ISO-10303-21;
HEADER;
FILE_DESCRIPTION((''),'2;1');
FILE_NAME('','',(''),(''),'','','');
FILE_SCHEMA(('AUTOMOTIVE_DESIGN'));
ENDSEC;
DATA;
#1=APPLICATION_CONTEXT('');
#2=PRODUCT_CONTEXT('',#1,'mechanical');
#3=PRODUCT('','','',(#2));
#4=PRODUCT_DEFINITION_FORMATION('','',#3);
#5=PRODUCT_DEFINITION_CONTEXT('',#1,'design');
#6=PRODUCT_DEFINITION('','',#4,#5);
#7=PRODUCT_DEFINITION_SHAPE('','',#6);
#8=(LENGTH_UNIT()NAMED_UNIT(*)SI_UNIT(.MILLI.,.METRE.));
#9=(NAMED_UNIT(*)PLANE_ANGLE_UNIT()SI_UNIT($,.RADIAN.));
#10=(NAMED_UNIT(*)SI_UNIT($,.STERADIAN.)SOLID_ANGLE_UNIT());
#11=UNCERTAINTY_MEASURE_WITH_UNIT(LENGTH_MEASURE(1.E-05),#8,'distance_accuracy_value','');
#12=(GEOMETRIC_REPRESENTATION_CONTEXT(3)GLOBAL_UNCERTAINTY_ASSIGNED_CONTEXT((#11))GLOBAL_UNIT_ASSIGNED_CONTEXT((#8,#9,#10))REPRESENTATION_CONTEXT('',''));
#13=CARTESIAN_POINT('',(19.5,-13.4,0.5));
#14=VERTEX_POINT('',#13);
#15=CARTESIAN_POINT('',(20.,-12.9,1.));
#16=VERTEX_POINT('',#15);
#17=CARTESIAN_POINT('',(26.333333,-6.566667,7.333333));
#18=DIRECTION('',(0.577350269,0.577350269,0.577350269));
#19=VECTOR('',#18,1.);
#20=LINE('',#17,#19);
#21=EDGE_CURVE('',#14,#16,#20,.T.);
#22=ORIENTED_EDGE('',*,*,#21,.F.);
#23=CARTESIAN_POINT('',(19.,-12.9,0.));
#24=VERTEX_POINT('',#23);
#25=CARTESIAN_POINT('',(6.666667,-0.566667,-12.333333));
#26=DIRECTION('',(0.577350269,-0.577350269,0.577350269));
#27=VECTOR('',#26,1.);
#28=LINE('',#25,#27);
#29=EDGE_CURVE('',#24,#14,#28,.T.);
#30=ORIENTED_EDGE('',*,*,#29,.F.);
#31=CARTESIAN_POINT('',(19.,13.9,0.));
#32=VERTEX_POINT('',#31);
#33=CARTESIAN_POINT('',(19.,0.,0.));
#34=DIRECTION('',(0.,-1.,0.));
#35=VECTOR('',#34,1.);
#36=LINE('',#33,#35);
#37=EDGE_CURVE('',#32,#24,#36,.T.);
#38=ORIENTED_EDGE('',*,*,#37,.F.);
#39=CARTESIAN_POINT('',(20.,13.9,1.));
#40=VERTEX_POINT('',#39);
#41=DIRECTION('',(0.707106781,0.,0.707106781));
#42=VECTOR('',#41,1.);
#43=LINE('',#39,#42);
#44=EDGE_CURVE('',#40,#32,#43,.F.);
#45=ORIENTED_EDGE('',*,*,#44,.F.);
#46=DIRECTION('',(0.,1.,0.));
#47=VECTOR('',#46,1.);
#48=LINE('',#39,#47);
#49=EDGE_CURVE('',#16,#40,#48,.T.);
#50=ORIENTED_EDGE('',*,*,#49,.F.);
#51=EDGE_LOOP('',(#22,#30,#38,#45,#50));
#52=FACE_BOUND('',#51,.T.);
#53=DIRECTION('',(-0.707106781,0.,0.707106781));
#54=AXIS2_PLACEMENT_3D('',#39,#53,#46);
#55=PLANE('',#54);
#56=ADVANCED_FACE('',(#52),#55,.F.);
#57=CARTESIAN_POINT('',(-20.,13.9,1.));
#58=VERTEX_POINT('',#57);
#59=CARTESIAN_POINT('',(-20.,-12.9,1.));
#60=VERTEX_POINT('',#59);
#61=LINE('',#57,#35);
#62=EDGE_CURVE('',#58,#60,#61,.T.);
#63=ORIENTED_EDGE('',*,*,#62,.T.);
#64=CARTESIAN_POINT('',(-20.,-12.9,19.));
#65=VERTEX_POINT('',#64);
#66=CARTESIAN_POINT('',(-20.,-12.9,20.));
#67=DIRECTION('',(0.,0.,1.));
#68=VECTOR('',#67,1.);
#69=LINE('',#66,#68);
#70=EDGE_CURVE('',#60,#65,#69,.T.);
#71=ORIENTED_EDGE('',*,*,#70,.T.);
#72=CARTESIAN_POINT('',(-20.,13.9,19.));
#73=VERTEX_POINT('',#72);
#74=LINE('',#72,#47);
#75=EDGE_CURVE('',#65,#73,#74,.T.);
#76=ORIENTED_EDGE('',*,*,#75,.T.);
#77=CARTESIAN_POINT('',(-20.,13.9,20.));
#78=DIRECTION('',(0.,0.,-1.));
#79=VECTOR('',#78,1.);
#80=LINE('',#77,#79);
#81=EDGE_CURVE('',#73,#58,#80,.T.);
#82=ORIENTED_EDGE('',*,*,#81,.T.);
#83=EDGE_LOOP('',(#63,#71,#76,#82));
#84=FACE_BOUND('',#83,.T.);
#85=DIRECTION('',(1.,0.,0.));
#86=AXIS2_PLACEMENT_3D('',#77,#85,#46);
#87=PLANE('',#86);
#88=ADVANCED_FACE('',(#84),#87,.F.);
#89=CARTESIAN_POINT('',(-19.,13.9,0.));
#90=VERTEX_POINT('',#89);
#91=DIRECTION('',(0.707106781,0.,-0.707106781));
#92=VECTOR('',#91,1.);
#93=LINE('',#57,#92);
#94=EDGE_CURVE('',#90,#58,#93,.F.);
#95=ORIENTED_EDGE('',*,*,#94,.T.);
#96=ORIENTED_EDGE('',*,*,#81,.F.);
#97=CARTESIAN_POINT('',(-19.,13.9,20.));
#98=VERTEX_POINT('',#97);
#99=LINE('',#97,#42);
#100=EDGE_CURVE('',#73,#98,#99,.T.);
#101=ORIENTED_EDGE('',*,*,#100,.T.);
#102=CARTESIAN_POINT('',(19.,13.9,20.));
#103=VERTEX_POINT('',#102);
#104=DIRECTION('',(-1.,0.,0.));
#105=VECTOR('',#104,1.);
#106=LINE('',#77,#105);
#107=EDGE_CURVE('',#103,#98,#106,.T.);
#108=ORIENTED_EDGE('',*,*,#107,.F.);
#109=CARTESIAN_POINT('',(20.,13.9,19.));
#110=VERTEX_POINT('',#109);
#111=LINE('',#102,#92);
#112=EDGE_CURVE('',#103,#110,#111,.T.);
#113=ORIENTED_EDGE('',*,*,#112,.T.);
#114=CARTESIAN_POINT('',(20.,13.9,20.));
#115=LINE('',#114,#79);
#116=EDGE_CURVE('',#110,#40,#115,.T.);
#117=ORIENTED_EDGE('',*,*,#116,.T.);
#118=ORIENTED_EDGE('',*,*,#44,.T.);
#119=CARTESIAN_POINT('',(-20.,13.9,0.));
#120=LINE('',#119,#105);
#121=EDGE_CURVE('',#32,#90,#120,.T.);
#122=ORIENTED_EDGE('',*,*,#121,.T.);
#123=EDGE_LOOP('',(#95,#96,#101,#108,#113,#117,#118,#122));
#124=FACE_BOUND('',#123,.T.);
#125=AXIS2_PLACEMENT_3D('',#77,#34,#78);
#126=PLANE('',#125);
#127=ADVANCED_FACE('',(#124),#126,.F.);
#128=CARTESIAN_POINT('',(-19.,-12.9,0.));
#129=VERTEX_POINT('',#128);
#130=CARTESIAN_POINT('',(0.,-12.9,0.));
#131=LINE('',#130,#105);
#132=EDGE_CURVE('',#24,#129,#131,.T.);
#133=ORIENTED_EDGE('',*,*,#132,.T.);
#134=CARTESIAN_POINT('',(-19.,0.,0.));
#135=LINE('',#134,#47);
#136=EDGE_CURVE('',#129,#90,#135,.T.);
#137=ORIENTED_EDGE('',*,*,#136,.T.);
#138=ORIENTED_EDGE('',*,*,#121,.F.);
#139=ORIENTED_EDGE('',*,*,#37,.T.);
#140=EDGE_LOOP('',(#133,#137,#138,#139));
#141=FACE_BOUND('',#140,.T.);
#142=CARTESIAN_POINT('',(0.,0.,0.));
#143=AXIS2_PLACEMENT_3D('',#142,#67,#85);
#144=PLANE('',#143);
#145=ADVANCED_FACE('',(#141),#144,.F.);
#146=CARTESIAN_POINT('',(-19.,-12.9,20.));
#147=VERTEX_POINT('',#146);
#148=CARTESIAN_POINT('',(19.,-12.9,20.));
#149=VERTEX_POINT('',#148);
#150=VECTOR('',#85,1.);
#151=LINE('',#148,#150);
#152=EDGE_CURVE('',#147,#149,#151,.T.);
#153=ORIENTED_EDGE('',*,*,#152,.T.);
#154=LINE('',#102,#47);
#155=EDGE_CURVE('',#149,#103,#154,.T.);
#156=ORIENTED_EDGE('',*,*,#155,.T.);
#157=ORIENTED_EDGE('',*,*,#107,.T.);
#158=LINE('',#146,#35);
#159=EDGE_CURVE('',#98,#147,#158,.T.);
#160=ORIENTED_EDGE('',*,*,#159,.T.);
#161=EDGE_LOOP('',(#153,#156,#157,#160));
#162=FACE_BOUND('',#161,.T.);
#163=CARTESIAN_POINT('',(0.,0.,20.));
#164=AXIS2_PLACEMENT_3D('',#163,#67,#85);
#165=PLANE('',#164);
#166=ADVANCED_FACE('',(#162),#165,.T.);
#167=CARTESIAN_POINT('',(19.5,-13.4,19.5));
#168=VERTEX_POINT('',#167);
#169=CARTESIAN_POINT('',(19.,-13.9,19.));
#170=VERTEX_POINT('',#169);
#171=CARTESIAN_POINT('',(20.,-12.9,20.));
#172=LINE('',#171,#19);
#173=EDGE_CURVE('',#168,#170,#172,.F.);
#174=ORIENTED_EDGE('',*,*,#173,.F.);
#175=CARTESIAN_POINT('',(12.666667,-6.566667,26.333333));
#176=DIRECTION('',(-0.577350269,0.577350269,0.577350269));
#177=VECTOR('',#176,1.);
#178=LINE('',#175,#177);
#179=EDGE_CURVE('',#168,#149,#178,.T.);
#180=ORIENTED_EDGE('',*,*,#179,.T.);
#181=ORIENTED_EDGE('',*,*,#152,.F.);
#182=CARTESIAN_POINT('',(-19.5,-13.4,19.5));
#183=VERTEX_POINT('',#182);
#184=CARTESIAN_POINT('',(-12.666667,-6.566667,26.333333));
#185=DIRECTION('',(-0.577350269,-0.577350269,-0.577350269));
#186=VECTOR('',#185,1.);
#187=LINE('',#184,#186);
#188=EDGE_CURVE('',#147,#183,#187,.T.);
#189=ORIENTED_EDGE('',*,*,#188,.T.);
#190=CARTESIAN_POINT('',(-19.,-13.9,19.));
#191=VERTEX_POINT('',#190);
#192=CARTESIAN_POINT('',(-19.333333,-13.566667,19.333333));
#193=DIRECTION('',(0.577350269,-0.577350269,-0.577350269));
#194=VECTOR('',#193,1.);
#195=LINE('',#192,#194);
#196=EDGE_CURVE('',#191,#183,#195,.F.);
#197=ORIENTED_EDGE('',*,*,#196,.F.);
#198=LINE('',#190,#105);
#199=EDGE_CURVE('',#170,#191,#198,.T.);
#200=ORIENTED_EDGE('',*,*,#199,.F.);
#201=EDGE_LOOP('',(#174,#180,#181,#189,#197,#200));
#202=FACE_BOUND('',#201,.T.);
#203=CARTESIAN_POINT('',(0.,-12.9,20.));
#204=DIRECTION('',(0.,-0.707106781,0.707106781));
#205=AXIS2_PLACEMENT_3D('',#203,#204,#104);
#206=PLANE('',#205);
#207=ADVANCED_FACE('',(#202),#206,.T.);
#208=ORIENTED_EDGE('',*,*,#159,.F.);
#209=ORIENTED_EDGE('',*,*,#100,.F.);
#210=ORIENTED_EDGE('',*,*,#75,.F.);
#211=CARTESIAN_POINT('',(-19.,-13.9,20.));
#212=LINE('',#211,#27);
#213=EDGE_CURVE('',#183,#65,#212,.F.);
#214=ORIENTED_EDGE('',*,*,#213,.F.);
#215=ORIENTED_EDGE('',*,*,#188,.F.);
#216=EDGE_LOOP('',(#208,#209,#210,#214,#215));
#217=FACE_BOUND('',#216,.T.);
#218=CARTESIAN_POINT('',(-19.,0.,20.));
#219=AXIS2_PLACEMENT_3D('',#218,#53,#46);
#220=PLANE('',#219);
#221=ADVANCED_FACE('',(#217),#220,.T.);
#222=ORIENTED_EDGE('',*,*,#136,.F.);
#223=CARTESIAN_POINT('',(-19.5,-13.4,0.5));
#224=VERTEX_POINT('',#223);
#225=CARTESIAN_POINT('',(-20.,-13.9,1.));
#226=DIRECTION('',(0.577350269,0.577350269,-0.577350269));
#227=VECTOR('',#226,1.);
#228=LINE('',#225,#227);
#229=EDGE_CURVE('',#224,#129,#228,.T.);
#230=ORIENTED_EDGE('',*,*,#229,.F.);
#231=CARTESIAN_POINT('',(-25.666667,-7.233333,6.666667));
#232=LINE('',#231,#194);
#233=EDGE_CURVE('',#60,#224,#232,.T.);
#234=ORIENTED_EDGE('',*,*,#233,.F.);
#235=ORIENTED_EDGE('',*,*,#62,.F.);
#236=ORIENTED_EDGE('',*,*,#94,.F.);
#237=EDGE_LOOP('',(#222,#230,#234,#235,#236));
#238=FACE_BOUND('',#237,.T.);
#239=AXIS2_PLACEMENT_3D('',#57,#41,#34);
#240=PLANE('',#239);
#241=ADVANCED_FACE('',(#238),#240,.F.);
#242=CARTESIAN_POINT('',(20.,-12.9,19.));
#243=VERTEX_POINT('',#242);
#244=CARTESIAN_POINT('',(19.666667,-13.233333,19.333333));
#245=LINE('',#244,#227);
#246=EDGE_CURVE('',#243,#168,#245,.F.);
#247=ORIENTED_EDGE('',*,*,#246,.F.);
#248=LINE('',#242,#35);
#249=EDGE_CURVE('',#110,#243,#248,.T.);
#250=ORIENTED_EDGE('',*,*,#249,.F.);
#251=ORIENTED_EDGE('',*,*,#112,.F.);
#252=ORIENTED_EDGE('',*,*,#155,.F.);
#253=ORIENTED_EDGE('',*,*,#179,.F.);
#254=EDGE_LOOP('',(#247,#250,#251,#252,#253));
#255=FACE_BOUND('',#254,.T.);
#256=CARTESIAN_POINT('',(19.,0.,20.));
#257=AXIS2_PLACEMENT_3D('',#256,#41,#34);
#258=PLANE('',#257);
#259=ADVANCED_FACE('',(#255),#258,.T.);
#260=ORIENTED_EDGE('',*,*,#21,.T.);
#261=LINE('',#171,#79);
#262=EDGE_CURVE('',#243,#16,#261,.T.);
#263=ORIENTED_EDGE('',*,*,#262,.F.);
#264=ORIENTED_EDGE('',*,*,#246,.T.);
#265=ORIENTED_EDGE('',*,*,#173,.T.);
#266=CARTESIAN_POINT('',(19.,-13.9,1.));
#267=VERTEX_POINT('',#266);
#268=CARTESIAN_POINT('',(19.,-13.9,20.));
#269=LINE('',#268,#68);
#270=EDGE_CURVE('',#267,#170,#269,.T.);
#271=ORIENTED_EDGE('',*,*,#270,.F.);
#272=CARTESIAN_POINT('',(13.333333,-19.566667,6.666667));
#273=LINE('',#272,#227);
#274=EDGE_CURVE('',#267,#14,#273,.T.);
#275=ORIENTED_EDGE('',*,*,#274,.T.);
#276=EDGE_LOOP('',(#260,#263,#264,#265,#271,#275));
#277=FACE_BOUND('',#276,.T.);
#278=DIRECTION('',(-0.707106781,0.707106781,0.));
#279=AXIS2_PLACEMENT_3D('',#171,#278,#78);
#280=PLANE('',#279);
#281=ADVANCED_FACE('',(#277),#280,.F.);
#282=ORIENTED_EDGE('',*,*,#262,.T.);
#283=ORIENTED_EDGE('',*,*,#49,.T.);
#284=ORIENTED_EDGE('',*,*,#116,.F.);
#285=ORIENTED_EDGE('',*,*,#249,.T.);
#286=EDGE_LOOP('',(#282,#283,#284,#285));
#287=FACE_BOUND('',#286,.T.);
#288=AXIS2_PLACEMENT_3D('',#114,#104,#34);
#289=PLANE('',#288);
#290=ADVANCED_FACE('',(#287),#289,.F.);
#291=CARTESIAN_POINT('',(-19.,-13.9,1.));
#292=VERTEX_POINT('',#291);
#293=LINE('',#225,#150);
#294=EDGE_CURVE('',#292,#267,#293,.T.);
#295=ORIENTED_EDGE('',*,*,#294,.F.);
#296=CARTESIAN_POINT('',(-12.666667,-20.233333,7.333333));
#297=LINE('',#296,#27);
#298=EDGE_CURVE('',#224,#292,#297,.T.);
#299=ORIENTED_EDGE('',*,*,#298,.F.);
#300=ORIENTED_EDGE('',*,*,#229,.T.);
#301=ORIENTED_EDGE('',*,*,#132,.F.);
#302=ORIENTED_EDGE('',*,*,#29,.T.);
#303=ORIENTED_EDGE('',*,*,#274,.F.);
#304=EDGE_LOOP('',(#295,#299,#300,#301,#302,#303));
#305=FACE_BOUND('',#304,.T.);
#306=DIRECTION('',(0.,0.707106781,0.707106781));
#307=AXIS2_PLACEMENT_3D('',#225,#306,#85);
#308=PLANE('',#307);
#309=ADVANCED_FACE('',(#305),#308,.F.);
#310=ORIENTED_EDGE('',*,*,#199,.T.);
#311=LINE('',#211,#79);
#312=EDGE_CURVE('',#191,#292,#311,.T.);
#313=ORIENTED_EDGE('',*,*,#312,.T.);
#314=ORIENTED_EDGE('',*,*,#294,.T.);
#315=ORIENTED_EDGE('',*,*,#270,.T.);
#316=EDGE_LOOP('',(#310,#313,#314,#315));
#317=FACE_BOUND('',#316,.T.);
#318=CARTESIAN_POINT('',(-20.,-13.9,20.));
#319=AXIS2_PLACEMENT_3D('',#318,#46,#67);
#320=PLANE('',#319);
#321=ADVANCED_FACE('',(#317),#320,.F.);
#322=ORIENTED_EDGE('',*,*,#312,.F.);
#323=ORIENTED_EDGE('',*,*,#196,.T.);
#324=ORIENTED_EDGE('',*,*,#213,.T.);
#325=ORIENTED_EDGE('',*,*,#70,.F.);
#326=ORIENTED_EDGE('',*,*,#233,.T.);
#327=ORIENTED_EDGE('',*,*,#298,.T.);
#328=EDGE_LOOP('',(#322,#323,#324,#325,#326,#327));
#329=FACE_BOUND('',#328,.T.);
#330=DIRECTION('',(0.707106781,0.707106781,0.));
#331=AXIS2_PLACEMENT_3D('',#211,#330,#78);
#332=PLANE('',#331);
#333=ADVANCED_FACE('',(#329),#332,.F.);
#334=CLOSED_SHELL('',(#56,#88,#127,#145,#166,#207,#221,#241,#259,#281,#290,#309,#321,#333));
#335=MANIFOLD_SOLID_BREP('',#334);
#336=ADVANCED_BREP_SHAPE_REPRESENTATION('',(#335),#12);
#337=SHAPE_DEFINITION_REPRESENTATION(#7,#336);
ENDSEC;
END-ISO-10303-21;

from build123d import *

# Parameters (mm, degrees)
SKETCH_1_W      = 40
SKETCH_1_H      = 27.8
EXTRUDE_1_DEPTH = 20
CHAMFER_1_SIZE  = 1
CHAMFER_2_SIZE  = 1
CHAMFER_3_SIZE  = 1


with BuildPart() as part:
    # 草图1 → 凸台-拉伸1 (new body)
    with BuildSketch(Plane.XY):
        Rectangle(SKETCH_1_W, SKETCH_1_H)
    extrude(amount=EXTRUDE_1_DEPTH)

    # 倒角1
    chamfer_1_edges = [part.edges().sort_by_distance(p)[0] for p in [
        (20, -13.9, 10),
        (-20, -13.9, 10),
    ]]
    chamfer(chamfer_1_edges, length=CHAMFER_1_SIZE)

    # 倒角2
    chamfer_2_edges = [part.edges().sort_by_distance(p)[0] for p in [
        (0, -13.9, 0),
        (0, -13.9, 20),
    ]]
    chamfer(chamfer_2_edges, length=CHAMFER_2_SIZE)

    # 倒角3
    chamfer_3_edges = [part.edges().sort_by_distance(p)[0] for p in [
        (-20, 0.5, 20),
        (20, 0.5, 0),
        (20, 0.5, 20),
        (-20, 0.5, 0),
    ]]
    chamfer(chamfer_3_edges, length=CHAMFER_3_SIZE)


solid = part.part
